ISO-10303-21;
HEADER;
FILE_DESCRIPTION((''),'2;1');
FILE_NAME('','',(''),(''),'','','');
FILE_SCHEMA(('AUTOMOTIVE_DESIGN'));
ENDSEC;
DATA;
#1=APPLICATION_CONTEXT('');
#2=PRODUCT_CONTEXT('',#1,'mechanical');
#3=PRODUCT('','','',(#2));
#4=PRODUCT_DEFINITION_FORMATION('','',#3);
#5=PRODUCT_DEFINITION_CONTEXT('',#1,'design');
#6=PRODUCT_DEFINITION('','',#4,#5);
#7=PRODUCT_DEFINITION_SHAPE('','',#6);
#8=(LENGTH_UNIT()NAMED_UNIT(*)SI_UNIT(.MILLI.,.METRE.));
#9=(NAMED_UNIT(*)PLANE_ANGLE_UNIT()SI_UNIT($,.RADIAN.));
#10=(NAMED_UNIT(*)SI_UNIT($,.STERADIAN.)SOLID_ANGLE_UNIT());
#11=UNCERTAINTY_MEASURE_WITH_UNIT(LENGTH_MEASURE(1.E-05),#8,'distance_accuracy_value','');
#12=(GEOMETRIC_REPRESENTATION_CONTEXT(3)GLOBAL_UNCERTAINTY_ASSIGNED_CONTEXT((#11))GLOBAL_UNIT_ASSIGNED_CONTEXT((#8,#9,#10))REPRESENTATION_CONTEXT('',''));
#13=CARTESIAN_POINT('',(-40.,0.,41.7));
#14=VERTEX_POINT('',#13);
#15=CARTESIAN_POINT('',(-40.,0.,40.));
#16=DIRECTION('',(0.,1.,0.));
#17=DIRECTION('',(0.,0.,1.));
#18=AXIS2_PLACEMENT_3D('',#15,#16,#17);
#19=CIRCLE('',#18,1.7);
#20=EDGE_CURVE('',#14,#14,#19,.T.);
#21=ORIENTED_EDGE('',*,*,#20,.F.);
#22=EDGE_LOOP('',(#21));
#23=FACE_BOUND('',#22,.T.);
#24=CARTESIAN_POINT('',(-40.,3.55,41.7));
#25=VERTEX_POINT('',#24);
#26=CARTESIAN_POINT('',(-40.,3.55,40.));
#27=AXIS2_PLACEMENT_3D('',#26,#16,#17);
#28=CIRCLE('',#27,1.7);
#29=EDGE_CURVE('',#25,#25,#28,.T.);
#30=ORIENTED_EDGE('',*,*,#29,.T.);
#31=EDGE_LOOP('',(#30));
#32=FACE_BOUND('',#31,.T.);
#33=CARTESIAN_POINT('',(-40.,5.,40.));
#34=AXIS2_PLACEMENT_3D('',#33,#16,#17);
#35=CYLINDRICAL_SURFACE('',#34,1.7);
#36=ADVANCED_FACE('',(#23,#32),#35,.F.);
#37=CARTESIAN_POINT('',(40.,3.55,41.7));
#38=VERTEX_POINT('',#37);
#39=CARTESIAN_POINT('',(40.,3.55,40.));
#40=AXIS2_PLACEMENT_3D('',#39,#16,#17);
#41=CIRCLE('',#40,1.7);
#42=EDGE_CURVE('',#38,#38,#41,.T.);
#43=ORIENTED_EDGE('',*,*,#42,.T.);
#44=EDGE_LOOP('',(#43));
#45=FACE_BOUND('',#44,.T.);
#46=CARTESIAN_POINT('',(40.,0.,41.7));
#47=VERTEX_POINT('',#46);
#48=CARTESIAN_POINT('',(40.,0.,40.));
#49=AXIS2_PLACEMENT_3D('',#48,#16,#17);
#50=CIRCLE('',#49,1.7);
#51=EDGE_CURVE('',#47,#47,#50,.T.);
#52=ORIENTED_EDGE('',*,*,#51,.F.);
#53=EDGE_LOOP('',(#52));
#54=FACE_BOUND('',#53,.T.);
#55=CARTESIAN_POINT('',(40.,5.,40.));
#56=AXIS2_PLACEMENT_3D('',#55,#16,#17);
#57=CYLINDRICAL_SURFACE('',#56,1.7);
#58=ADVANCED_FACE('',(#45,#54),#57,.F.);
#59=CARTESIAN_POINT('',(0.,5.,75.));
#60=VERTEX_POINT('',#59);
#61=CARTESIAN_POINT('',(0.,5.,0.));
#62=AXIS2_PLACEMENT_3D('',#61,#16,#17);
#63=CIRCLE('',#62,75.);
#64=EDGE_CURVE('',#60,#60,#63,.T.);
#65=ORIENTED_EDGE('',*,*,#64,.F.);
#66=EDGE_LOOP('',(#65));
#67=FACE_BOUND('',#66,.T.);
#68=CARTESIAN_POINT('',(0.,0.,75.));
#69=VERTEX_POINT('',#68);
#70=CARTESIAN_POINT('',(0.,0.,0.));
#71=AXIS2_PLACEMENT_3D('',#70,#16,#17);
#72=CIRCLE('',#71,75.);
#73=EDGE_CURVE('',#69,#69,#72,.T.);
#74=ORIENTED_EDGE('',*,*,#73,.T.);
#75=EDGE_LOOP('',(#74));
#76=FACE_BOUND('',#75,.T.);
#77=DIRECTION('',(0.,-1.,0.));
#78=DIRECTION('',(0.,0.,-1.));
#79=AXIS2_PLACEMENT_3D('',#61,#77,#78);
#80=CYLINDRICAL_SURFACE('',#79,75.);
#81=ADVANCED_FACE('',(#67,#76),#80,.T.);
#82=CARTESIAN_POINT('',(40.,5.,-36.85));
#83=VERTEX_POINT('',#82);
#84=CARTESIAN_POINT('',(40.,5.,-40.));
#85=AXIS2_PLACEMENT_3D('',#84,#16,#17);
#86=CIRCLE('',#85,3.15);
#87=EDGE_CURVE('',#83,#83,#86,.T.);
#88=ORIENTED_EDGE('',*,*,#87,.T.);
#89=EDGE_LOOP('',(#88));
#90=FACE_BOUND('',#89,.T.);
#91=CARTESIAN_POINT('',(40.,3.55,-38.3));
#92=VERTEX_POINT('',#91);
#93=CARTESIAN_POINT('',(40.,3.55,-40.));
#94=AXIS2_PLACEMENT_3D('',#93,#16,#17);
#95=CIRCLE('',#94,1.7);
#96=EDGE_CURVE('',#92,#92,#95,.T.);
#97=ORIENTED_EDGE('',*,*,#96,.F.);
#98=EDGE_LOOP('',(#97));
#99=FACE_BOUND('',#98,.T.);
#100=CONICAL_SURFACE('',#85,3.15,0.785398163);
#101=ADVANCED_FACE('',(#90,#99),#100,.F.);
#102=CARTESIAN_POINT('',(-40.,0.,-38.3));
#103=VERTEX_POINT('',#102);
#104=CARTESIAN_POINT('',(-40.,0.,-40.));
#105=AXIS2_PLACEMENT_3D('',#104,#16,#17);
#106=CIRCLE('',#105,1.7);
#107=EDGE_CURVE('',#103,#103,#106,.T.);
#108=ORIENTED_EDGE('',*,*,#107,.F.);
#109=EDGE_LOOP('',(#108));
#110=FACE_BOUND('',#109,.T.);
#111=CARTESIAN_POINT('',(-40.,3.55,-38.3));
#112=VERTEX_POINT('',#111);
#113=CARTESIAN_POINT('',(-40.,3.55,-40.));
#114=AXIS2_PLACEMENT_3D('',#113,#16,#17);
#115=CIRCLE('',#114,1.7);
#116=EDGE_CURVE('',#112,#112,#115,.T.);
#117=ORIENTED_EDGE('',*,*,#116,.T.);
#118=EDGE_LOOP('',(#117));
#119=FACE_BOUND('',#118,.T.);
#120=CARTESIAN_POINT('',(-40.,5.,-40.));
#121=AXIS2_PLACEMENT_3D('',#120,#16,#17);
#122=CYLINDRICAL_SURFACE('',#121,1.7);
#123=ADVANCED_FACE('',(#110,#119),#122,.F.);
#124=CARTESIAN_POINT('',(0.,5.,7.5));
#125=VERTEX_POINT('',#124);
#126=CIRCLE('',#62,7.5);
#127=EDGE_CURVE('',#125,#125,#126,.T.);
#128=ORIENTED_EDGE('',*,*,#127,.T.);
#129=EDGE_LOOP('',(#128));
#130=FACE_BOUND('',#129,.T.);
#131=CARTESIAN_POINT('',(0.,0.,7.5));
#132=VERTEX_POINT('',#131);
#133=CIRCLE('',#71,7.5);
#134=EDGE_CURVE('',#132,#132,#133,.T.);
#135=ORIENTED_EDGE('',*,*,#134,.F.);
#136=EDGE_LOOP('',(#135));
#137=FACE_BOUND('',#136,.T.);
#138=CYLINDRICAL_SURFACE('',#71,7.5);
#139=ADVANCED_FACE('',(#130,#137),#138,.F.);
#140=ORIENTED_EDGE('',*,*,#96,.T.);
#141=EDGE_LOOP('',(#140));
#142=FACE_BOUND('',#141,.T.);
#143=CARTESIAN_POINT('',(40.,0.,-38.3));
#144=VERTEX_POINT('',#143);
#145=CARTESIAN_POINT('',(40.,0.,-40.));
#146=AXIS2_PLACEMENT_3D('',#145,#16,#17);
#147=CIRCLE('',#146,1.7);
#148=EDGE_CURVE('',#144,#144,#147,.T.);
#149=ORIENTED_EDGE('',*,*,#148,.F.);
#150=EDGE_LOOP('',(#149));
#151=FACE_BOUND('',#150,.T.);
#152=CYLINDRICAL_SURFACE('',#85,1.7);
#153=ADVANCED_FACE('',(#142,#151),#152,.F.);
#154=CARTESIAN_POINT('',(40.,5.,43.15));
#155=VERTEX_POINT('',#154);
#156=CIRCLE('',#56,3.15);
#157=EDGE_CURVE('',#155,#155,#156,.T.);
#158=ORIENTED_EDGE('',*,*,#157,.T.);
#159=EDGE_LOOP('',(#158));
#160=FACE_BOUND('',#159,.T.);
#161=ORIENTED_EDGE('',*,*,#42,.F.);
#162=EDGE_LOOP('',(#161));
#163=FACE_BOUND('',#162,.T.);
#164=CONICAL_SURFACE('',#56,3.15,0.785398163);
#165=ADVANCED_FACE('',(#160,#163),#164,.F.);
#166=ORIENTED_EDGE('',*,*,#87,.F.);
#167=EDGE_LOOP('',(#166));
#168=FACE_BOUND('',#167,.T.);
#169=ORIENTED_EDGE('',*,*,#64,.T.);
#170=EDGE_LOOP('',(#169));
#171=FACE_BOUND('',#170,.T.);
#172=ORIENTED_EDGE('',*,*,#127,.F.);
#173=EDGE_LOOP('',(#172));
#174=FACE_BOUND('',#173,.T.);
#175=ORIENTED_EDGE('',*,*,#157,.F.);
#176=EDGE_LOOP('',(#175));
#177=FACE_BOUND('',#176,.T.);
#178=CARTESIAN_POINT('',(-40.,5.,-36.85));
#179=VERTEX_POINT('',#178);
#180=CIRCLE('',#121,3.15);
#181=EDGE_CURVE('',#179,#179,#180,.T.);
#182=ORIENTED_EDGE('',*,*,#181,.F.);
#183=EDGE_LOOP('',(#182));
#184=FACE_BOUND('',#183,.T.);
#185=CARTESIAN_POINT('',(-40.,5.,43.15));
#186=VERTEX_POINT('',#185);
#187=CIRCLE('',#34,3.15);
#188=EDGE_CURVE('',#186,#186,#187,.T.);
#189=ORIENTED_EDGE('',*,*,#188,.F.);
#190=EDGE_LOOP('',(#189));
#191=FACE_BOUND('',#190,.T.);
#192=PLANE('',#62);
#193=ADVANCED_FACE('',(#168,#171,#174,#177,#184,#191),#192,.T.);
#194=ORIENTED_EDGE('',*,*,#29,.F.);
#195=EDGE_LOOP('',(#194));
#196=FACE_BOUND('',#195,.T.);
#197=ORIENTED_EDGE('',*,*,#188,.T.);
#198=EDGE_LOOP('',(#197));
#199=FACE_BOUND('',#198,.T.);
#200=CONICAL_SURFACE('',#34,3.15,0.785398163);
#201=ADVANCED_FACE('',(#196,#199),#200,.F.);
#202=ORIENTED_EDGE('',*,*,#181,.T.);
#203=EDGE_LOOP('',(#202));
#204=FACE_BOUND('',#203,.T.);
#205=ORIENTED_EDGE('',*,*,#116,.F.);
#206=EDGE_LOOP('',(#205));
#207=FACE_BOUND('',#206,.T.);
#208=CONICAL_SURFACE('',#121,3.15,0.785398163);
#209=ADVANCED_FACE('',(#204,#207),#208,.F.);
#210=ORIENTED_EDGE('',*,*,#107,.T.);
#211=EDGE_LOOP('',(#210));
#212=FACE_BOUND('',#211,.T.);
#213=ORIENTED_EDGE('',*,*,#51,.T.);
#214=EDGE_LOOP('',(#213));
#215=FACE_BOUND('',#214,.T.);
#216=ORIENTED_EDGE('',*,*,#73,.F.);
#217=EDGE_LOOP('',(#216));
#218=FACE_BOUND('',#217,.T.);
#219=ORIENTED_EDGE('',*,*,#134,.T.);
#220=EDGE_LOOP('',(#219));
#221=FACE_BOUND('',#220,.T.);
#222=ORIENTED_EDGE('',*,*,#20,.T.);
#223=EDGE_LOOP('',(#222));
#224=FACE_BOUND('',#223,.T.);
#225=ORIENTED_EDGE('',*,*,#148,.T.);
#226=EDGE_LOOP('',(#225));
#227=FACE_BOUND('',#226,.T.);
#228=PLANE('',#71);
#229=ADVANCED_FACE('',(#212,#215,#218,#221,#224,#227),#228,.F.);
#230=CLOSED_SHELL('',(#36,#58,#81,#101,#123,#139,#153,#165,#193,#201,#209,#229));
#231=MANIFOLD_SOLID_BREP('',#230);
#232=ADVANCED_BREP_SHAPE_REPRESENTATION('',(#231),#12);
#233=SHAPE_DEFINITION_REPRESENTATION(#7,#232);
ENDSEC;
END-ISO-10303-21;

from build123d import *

# Parameters (mm, degrees)
SKETCH1_R                                           = 75
BOSS_EXTRUDE1_DEPTH                                 = 5
CSK_FOR_M3_COUNTERSUNK_FLAT_HEAD_SCREW1_D           = 3.4
CSK_FOR_M3_COUNTERSUNK_FLAT_HEAD_SCREW1_CSINK_D     = 6.3
CSK_FOR_M3_COUNTERSUNK_FLAT_HEAD_SCREW1_CSINK_ANGLE = 90
SKETCH5_R                                           = 7.5
CUT_EXTRUDE1_DEPTH                                  = 107.183802908


with BuildPart() as part:
    # Sketch1 → Boss-Extrude1 (new body)
    with BuildSketch(Plane(origin=(0, 0, 0), x_dir=(1, 0, 0), z_dir=(0, 1, 0))):
        with Locations(Location((0, 0, 0), (0, 0, 270))):
            Circle(SKETCH1_R)
    extrude(amount=BOSS_EXTRUDE1_DEPTH)

    # CSK for M3 Countersunk Flat Head Screw1 (through all)
    with Locations(Plane(origin=(0, 5, 0), x_dir=(1, 0, 0), z_dir=(0, 1, 0))):
        with Locations((-40, 40), (40, 40), (40, -40), (-40, -40)):
            CounterSinkHole(CSK_FOR_M3_COUNTERSUNK_FLAT_HEAD_SCREW1_D / 2, CSK_FOR_M3_COUNTERSUNK_FLAT_HEAD_SCREW1_CSINK_D / 2, counter_sink_angle=CSK_FOR_M3_COUNTERSUNK_FLAT_HEAD_SCREW1_CSINK_ANGLE)

    # Sketch5 → Cut-Extrude1 (cut, through all)
    with BuildSketch(Plane(origin=(0, 5, 0), x_dir=(1, 0, 0), z_dir=(0, 1, 0))):
        with Locations(Location((0, 0, 0), (0, 0, 270))):
            Circle(SKETCH5_R)
    extrude(amount=-CUT_EXTRUDE1_DEPTH, mode=Mode.SUBTRACT)


solid = part.part
